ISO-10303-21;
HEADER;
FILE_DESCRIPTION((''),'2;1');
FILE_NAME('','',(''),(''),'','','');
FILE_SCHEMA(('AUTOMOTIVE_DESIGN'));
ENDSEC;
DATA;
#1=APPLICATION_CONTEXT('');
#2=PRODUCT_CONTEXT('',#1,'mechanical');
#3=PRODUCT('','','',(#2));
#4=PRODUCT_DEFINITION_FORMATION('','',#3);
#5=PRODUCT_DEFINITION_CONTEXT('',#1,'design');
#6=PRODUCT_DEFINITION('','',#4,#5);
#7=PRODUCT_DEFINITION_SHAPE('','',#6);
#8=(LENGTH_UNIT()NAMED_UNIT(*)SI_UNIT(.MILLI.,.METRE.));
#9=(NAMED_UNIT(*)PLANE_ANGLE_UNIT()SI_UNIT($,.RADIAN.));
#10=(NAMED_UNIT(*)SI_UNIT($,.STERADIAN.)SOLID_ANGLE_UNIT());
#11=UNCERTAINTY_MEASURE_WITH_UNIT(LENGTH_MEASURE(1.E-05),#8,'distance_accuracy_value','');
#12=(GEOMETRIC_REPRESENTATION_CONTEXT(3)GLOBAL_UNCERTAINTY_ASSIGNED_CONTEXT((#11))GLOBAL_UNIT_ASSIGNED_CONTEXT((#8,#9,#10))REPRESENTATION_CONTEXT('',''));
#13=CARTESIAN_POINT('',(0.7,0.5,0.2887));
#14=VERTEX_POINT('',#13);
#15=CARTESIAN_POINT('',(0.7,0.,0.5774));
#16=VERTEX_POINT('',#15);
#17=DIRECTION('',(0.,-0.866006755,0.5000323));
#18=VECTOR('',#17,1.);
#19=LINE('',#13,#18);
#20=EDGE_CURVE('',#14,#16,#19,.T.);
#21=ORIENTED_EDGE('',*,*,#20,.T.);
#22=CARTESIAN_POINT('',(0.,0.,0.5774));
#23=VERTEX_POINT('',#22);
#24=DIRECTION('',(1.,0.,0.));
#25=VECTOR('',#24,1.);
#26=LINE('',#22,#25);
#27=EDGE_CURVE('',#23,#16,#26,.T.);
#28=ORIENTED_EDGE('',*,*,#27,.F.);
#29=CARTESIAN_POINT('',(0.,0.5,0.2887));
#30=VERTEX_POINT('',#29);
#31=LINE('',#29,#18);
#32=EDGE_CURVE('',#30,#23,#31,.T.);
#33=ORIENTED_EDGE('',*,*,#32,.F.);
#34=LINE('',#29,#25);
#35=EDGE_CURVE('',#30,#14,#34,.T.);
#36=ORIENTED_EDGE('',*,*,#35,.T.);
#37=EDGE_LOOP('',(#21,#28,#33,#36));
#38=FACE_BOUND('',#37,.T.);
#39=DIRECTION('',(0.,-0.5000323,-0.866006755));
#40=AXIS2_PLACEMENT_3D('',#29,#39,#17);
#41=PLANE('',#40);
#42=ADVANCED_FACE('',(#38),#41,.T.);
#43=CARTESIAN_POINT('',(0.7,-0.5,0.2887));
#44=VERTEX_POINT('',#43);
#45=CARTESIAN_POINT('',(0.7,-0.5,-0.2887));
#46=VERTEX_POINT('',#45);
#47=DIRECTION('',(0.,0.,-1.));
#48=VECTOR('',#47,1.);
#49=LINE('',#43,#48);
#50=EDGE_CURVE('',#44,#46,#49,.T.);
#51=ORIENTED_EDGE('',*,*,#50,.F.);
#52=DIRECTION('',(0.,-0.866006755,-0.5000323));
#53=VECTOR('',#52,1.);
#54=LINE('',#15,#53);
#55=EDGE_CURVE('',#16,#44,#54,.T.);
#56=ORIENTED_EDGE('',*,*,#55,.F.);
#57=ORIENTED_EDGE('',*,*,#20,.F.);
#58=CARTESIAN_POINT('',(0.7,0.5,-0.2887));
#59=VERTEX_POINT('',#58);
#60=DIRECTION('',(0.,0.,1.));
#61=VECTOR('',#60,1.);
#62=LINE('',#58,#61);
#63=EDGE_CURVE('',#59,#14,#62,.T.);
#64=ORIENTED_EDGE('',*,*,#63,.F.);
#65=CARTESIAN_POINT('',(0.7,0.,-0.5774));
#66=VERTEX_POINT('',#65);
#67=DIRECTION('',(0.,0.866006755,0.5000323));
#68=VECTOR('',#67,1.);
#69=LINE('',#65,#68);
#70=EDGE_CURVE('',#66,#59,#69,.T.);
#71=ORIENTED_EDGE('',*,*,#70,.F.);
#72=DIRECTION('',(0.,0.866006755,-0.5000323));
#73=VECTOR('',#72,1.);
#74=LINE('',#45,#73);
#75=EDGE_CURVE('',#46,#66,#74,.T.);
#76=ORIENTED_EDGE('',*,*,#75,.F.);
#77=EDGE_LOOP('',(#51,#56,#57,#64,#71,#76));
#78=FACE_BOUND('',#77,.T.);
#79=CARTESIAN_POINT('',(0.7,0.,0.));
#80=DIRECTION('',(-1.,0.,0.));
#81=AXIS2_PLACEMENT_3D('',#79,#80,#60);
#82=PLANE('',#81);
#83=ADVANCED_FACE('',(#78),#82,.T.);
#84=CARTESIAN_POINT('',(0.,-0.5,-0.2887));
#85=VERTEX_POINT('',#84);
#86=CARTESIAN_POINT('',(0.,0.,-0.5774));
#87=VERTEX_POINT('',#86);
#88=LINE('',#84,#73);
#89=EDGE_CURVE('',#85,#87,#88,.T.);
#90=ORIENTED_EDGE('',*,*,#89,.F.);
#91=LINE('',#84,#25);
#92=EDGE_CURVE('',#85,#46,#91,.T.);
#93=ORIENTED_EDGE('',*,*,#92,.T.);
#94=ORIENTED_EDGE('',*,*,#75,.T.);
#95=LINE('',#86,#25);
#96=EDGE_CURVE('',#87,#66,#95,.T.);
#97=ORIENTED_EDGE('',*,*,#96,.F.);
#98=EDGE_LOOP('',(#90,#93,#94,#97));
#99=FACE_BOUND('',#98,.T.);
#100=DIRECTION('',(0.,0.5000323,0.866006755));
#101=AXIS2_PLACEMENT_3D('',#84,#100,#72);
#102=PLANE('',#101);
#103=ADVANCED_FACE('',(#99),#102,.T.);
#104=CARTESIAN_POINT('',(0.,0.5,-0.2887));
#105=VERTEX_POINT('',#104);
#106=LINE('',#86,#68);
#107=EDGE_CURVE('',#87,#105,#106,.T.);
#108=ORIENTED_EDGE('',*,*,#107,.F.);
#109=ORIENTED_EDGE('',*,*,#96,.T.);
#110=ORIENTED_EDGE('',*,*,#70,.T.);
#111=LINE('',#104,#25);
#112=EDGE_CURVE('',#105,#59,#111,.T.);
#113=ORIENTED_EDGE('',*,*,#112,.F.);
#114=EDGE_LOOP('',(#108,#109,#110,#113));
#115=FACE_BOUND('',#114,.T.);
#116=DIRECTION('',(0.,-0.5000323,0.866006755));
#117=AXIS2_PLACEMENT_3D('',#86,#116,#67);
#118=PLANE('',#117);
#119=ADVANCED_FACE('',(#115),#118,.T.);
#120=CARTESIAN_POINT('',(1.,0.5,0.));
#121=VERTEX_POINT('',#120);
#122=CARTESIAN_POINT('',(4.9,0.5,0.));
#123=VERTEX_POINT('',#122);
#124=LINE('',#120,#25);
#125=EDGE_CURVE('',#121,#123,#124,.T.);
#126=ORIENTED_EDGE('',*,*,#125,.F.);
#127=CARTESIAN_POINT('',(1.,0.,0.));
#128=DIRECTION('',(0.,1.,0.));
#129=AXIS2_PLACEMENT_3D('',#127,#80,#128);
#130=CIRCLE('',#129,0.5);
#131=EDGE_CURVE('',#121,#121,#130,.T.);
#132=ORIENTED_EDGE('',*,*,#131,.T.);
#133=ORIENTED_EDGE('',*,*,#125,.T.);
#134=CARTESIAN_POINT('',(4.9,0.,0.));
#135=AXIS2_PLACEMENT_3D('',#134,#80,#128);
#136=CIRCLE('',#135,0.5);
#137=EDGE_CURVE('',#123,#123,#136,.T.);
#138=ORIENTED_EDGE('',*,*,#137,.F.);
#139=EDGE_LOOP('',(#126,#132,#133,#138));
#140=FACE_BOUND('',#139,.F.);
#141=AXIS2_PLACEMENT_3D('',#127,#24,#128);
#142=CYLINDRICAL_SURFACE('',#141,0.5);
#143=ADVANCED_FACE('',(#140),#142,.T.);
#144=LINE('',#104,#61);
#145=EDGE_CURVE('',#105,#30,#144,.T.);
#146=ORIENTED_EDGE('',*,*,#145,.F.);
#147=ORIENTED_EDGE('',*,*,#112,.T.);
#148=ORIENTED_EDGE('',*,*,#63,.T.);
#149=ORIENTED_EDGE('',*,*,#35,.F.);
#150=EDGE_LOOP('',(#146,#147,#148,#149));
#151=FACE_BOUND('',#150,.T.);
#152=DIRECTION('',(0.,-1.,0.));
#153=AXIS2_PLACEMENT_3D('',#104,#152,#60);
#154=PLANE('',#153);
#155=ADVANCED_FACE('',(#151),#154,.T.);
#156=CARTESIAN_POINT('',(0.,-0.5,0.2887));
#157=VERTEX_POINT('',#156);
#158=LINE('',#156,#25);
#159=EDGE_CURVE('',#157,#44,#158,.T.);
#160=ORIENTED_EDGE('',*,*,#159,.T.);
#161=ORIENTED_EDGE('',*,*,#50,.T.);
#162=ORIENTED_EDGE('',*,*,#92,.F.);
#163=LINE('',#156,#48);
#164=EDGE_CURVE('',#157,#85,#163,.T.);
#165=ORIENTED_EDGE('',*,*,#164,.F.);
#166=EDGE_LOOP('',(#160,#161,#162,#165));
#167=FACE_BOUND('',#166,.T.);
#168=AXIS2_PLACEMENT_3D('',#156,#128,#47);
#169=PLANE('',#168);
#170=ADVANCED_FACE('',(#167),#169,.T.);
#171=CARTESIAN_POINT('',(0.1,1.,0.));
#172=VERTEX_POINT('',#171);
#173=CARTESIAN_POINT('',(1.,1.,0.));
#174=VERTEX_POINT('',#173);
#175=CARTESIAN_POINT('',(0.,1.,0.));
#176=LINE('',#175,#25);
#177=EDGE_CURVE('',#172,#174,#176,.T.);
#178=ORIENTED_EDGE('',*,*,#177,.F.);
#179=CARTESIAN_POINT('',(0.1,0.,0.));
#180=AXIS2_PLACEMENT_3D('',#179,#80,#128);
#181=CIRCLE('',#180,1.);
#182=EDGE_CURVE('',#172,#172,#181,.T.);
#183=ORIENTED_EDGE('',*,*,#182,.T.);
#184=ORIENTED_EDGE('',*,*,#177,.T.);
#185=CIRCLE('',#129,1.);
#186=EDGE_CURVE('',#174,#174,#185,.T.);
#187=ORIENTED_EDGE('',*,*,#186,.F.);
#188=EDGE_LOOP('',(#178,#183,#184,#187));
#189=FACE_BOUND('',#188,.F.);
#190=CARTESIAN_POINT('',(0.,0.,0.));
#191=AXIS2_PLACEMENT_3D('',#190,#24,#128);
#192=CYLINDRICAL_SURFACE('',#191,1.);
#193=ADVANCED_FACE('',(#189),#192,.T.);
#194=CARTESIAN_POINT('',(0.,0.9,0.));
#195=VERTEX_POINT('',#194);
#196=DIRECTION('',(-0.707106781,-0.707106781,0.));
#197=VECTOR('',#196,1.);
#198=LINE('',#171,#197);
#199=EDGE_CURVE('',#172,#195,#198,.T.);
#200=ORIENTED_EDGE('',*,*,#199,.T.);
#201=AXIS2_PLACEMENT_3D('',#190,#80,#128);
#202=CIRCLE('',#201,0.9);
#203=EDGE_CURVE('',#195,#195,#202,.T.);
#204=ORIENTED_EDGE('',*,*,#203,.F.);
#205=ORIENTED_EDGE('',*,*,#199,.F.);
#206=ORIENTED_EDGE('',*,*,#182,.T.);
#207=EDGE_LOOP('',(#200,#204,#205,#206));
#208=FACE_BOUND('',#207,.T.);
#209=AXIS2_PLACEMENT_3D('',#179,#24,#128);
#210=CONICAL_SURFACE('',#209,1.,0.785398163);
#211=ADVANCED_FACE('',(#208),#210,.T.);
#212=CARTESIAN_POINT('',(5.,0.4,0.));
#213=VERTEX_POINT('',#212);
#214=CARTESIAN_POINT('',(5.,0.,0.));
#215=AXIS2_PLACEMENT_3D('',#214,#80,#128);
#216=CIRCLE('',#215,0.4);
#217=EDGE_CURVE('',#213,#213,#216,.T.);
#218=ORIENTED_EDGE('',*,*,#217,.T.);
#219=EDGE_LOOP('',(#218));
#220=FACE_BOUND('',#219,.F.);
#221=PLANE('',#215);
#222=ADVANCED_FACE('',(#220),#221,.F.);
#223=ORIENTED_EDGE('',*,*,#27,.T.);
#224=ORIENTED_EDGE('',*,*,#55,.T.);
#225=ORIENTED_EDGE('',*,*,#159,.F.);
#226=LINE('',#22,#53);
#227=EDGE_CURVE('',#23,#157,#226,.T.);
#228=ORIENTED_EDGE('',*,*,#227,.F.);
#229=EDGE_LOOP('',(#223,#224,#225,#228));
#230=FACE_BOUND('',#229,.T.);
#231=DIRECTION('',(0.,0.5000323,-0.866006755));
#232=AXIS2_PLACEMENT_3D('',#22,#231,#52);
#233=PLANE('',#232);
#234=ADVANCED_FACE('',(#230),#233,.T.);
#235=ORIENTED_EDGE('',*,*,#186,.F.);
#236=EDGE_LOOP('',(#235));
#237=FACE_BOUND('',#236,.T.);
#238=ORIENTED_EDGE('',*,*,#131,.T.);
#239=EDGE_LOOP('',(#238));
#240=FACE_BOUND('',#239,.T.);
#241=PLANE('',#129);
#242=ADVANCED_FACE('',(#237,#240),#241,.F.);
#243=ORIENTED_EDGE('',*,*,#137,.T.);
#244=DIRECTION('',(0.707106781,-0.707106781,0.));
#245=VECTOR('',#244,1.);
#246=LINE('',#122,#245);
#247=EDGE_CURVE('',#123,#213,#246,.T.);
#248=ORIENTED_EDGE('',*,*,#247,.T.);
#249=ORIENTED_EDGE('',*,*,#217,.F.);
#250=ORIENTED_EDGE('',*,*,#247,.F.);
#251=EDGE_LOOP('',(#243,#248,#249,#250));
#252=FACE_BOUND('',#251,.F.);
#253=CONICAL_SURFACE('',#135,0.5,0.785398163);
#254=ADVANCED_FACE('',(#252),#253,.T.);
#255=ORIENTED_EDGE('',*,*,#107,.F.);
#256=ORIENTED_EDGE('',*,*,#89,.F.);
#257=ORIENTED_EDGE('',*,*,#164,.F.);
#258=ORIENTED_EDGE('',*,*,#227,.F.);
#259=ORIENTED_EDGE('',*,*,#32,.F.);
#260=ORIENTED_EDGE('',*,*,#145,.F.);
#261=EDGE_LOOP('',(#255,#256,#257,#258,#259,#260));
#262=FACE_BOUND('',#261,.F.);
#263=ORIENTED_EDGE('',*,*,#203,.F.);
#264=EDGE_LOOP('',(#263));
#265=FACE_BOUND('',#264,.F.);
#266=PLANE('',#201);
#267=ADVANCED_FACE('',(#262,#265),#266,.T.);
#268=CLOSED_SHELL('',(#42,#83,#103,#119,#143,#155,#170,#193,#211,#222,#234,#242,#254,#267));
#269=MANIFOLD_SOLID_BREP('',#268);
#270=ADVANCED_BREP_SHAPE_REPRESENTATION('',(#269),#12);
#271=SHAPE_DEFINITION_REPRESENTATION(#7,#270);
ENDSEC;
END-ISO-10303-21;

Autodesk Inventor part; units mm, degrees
ref_plane "YZ Plane" through (0, 0, 0) normal (1, 0, 0) x (0, 1, 0)
ref_plane "XZ Plane" through (0, 0, 0) normal (0, 1, 0) x (-1, 0, 0)
ref_plane "XY Plane" through (0, 0, 0) normal (0, 0, 1) x (1, 0, 0)
sketch "Sketch15" plane through (0, 0, 0) normal (0, 0, 1) x (1, 0, 0)
  line L0 (0, 0) -> (0, 1)
  line L1 (0, 1) -> (1, 1)
  line L2 (3, 4.4) -> (3, 4.4)
  line L3 (1, 0.5) -> (5, 0.5)
  line L4 (5, 0) -> (0, 0)
  line L5 (1, 0.5) -> (1, 1)
  line L6 (5, 0.5) -> (5, 0)
  dimension "d84" = 0.5
  dimension "d87" = 1
  dimension "d116" = 1
  dimension "d117" = 4
revolve "Revolution1" add sketch "Sketch15" angle 360 about axis through (5, 0, 0) along (-1, 0, 0)
chamfer "Chamfer5" distance 0.1 angle 45 1 edges at (5, -0.5, 0)
thread "Thread8" size "M1x0.25" class "6g" standard "ANSI Metric M Profile" length 2
chamfer "Chamfer6" distance 0.1 angle 45 1 edges at (0, -1, 0)
sketch "Sketch19" plane through (0, 0, 0) normal (-1, 0, 0) x (0, 0, 1)
  circle A0 centre (0, 0) radius 0.9 projected
  line L0 (0.2887, 0.5) -> (0.5774, 0)
  line L1 (0.5774, 0) -> (0.2887, -0.5)
  line L2 (0.2887, -0.5) -> (-0.2887, -0.5)
  line L3 (-0.2887, -0.5) -> (-0.5774, 0)
  line L4 (-0.5774, 0) -> (-0.2887, 0.5)
  line L5 (-0.2887, 0.5) -> (0.2887, 0.5)
  dimension "d137" = 1
extrude "Extrusion18" cut sketch "Sketch19" against normal blind 0.7 contours L0 L1 L2 L3 L4 L5
properties part number "Bolt1"
